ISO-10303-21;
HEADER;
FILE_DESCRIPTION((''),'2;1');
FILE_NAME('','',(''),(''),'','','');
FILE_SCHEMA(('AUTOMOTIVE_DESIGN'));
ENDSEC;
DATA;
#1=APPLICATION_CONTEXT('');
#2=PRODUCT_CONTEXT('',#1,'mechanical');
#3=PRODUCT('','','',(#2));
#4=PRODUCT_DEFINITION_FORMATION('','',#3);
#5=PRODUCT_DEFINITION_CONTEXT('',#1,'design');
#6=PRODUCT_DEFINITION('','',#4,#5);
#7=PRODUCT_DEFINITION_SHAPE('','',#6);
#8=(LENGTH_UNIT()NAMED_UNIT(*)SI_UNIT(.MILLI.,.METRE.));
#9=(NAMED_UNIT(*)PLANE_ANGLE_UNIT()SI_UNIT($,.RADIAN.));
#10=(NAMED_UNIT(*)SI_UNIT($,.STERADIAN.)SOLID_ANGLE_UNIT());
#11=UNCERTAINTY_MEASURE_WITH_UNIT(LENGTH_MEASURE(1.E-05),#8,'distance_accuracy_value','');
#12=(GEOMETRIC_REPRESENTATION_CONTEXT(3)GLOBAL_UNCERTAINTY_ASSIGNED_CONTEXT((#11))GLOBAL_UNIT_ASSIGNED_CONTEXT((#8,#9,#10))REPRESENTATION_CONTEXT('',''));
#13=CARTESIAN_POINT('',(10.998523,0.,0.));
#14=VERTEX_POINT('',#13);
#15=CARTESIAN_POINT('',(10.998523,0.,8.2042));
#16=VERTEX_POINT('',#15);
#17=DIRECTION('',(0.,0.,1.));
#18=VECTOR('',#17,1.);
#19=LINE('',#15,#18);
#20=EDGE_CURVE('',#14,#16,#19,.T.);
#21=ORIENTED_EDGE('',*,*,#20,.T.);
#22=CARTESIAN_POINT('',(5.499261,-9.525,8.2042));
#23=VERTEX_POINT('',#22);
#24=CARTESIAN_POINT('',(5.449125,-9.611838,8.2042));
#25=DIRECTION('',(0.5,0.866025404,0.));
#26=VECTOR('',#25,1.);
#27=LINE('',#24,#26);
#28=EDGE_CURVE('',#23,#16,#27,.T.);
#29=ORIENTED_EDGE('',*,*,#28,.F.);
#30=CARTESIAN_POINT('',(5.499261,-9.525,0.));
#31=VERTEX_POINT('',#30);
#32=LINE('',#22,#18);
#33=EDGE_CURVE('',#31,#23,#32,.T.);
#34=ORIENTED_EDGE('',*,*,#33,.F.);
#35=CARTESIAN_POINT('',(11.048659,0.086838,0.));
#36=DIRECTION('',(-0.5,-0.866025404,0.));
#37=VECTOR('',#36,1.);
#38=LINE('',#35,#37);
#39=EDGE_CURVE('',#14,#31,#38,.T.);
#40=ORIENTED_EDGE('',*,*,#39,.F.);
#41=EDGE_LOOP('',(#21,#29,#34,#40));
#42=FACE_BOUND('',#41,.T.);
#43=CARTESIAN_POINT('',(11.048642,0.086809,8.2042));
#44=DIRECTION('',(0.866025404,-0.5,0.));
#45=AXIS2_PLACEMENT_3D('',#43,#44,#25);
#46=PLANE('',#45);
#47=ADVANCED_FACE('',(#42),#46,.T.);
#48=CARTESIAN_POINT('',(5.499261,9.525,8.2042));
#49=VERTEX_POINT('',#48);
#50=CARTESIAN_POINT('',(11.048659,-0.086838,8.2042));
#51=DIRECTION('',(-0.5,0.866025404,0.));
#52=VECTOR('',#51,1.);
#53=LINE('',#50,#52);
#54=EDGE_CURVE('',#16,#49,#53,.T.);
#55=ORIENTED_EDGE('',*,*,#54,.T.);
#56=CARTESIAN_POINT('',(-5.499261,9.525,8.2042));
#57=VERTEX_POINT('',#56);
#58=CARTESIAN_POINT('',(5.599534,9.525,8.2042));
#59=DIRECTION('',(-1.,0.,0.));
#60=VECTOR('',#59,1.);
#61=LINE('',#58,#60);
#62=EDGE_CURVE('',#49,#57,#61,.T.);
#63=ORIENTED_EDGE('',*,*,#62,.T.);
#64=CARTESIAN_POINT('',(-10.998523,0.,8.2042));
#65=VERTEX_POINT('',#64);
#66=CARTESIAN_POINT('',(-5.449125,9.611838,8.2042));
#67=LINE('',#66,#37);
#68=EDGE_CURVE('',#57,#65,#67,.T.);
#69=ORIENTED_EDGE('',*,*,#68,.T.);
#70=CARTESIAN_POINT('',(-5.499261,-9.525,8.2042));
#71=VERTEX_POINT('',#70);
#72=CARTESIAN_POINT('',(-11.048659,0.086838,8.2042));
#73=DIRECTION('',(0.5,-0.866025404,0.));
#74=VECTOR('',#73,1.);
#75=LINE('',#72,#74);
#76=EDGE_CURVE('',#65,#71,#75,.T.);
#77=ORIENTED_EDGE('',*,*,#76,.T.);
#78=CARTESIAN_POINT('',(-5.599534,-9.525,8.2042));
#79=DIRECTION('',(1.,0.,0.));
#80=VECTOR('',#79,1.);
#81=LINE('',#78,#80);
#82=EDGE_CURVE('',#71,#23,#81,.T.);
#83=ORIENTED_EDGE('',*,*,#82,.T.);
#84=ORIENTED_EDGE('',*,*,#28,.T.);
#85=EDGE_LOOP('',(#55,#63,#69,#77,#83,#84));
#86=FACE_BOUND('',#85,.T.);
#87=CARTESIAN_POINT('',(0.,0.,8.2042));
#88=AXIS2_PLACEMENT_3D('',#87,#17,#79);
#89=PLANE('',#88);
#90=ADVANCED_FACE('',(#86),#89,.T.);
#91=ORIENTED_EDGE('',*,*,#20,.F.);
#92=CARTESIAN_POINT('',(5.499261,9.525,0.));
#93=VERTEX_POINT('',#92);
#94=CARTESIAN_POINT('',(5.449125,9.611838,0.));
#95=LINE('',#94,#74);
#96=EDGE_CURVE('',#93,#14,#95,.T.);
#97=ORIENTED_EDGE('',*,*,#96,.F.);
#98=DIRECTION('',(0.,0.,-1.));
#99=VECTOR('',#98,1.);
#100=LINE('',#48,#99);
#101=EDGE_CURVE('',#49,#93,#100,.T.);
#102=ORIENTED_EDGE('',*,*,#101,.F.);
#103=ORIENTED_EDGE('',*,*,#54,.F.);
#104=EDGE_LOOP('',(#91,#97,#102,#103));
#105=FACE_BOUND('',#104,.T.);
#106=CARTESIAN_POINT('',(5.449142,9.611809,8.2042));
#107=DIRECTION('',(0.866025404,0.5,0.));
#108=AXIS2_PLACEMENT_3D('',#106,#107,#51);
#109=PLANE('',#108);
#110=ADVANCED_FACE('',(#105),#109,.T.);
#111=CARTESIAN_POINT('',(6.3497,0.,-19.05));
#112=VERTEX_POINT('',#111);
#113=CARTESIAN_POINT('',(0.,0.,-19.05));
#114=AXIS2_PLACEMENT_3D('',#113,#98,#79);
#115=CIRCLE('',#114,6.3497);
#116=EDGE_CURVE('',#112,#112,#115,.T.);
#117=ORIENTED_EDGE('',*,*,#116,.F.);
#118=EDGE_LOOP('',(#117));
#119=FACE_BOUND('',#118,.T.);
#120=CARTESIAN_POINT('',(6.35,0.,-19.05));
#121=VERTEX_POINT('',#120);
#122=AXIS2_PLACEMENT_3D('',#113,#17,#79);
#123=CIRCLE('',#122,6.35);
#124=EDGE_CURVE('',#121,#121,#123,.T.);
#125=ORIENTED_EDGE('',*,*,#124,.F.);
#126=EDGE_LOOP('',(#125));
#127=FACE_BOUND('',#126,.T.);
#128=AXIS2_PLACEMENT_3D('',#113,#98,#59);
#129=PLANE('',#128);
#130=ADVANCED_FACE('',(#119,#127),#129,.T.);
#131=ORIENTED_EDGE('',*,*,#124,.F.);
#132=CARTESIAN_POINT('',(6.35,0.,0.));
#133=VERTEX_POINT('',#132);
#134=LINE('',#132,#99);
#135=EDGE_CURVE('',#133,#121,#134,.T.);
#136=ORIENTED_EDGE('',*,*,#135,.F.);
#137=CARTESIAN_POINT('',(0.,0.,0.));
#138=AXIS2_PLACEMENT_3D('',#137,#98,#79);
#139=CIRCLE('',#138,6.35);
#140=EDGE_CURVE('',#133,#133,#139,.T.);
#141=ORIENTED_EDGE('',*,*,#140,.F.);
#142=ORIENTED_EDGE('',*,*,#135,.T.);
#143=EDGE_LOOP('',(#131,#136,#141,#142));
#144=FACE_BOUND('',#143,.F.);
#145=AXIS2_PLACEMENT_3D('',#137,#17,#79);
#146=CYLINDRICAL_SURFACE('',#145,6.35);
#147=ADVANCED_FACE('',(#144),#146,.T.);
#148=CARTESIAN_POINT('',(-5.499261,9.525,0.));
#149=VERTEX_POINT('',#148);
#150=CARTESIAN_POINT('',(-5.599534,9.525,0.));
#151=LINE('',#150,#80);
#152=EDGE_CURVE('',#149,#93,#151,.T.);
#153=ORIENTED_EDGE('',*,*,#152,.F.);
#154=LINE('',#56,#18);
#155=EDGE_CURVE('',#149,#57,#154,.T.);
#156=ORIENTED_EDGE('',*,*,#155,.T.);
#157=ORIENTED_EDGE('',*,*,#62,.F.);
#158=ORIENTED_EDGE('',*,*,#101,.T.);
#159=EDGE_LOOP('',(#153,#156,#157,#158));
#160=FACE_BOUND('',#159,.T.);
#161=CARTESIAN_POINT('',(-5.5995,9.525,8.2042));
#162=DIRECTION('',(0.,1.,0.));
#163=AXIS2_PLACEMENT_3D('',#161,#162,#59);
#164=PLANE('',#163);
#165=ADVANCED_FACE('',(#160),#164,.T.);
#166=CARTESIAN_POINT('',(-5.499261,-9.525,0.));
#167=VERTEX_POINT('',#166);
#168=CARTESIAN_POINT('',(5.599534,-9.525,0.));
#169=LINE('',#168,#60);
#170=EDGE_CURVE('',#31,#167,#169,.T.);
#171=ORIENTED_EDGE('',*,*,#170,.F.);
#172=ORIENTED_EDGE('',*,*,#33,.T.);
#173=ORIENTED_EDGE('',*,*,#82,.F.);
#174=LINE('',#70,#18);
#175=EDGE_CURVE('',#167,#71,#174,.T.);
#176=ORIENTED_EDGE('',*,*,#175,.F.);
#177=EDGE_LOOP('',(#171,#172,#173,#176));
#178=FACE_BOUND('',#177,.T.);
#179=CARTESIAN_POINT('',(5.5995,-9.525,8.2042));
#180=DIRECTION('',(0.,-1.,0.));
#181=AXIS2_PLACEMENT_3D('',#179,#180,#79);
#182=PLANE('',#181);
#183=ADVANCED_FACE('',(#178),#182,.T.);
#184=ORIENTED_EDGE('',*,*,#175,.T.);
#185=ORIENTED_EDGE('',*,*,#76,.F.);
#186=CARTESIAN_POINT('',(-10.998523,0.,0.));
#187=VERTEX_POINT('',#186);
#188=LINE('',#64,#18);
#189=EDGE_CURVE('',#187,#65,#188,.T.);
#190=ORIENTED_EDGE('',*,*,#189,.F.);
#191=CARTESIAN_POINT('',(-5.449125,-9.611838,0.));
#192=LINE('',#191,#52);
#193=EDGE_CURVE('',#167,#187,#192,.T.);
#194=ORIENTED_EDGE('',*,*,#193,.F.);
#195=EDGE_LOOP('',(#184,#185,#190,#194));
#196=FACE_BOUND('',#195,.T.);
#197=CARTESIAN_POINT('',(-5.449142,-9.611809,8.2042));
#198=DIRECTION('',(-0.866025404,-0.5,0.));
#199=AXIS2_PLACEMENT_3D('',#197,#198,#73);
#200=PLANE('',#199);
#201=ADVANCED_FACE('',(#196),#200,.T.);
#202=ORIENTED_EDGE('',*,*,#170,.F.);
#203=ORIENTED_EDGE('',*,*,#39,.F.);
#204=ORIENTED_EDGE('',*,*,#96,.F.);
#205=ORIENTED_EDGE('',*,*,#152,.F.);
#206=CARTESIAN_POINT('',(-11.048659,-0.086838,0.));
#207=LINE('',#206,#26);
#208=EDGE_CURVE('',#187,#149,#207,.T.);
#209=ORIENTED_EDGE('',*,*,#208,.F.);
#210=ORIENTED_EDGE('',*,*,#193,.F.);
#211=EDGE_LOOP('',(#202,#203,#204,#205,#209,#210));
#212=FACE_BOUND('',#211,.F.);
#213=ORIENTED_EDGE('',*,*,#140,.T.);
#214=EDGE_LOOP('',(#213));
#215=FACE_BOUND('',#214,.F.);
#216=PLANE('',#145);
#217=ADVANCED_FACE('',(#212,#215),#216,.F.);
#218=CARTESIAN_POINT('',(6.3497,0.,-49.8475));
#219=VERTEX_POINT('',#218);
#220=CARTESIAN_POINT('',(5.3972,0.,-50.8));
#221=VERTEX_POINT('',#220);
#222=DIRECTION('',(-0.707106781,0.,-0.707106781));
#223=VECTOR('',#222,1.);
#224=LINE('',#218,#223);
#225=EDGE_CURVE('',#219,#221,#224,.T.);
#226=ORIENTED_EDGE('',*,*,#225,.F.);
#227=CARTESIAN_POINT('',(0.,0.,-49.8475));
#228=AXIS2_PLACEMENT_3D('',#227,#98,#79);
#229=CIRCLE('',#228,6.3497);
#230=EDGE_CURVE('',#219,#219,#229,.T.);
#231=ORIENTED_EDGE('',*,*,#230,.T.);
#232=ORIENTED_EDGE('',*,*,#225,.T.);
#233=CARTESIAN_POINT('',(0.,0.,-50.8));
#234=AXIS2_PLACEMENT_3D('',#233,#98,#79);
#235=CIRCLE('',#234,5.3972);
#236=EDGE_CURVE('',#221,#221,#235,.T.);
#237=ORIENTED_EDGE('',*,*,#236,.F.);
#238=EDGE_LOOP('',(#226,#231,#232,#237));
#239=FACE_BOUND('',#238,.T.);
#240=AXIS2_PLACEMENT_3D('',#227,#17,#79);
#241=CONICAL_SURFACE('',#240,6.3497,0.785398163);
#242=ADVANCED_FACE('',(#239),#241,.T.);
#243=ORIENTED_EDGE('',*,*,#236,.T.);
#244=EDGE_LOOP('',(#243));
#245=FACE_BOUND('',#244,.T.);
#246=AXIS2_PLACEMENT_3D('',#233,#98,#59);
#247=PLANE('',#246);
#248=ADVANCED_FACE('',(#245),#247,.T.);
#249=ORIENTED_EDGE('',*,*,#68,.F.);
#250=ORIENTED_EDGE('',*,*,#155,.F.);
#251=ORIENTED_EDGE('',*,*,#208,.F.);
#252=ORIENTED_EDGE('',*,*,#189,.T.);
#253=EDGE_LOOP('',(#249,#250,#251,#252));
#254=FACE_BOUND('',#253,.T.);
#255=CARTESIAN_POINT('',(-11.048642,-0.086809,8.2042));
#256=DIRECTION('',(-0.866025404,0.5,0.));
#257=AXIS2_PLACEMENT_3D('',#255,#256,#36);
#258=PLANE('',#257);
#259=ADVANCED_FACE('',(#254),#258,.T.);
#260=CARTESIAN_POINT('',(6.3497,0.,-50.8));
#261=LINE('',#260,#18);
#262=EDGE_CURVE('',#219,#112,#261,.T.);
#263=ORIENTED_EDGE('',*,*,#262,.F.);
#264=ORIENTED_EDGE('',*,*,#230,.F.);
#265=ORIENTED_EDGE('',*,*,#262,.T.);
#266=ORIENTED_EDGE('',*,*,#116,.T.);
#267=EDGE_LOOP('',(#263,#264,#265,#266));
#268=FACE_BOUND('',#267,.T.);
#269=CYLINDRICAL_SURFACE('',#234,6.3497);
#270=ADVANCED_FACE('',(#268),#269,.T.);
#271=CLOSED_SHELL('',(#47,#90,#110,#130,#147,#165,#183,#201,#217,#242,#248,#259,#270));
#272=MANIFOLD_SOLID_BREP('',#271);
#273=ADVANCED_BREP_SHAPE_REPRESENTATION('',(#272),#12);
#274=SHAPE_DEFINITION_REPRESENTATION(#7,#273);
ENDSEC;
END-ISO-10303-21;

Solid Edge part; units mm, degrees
sketch "Sketch1" plane through (0, 0, 0) normal (0, 0, 1) x (1, 0, 0)
  circle A0 centre (0, 0) radius 11.049
  dimension "D1" = 22.098
extrude "Protrusion1" add sketch "Sketch1" along normal blind 8.2042
sketch "Sketch2" plane through (0, 0, 0) normal (0, 0, -1) x (1, 0, 0)
  circle A0 centre (0, 0) radius 6.35
extrude "Protrusion2" add sketch "Sketch2" along normal blind 50.8
sketch "Sketch3" plane through (0, 0, -50.8) normal (0, 0, -1) x (1, 0, 0)
  circle A0 centre (0, 0) radius 6.3497
extrude "Cutout1" cut sketch "Sketch3" against normal blind 31.75 flip side to cut
chamfer "Chamfer_1" distance 0.9525 angle 45 1 edges at (-6.3497, 0, -50.8)
sketch "Sketch4" plane through (0, 0, 8.2042) normal (0, 0, 1) x (1, 0, 0)
  line L0 (-5.5995, 9.525) -> (5.5995, 9.525)
  dimension "D1" = 19.05
extrude "Cutout2" cut sketch "Sketch4" against normal up to next material side at (0, 9.575, 8.2042)
pattern_circular "Pattern1" count 6 over 360 about axis through (0, 0, 8.2042) along (0, 0, 1) of "Cutout2"
properties part number "24100032"
